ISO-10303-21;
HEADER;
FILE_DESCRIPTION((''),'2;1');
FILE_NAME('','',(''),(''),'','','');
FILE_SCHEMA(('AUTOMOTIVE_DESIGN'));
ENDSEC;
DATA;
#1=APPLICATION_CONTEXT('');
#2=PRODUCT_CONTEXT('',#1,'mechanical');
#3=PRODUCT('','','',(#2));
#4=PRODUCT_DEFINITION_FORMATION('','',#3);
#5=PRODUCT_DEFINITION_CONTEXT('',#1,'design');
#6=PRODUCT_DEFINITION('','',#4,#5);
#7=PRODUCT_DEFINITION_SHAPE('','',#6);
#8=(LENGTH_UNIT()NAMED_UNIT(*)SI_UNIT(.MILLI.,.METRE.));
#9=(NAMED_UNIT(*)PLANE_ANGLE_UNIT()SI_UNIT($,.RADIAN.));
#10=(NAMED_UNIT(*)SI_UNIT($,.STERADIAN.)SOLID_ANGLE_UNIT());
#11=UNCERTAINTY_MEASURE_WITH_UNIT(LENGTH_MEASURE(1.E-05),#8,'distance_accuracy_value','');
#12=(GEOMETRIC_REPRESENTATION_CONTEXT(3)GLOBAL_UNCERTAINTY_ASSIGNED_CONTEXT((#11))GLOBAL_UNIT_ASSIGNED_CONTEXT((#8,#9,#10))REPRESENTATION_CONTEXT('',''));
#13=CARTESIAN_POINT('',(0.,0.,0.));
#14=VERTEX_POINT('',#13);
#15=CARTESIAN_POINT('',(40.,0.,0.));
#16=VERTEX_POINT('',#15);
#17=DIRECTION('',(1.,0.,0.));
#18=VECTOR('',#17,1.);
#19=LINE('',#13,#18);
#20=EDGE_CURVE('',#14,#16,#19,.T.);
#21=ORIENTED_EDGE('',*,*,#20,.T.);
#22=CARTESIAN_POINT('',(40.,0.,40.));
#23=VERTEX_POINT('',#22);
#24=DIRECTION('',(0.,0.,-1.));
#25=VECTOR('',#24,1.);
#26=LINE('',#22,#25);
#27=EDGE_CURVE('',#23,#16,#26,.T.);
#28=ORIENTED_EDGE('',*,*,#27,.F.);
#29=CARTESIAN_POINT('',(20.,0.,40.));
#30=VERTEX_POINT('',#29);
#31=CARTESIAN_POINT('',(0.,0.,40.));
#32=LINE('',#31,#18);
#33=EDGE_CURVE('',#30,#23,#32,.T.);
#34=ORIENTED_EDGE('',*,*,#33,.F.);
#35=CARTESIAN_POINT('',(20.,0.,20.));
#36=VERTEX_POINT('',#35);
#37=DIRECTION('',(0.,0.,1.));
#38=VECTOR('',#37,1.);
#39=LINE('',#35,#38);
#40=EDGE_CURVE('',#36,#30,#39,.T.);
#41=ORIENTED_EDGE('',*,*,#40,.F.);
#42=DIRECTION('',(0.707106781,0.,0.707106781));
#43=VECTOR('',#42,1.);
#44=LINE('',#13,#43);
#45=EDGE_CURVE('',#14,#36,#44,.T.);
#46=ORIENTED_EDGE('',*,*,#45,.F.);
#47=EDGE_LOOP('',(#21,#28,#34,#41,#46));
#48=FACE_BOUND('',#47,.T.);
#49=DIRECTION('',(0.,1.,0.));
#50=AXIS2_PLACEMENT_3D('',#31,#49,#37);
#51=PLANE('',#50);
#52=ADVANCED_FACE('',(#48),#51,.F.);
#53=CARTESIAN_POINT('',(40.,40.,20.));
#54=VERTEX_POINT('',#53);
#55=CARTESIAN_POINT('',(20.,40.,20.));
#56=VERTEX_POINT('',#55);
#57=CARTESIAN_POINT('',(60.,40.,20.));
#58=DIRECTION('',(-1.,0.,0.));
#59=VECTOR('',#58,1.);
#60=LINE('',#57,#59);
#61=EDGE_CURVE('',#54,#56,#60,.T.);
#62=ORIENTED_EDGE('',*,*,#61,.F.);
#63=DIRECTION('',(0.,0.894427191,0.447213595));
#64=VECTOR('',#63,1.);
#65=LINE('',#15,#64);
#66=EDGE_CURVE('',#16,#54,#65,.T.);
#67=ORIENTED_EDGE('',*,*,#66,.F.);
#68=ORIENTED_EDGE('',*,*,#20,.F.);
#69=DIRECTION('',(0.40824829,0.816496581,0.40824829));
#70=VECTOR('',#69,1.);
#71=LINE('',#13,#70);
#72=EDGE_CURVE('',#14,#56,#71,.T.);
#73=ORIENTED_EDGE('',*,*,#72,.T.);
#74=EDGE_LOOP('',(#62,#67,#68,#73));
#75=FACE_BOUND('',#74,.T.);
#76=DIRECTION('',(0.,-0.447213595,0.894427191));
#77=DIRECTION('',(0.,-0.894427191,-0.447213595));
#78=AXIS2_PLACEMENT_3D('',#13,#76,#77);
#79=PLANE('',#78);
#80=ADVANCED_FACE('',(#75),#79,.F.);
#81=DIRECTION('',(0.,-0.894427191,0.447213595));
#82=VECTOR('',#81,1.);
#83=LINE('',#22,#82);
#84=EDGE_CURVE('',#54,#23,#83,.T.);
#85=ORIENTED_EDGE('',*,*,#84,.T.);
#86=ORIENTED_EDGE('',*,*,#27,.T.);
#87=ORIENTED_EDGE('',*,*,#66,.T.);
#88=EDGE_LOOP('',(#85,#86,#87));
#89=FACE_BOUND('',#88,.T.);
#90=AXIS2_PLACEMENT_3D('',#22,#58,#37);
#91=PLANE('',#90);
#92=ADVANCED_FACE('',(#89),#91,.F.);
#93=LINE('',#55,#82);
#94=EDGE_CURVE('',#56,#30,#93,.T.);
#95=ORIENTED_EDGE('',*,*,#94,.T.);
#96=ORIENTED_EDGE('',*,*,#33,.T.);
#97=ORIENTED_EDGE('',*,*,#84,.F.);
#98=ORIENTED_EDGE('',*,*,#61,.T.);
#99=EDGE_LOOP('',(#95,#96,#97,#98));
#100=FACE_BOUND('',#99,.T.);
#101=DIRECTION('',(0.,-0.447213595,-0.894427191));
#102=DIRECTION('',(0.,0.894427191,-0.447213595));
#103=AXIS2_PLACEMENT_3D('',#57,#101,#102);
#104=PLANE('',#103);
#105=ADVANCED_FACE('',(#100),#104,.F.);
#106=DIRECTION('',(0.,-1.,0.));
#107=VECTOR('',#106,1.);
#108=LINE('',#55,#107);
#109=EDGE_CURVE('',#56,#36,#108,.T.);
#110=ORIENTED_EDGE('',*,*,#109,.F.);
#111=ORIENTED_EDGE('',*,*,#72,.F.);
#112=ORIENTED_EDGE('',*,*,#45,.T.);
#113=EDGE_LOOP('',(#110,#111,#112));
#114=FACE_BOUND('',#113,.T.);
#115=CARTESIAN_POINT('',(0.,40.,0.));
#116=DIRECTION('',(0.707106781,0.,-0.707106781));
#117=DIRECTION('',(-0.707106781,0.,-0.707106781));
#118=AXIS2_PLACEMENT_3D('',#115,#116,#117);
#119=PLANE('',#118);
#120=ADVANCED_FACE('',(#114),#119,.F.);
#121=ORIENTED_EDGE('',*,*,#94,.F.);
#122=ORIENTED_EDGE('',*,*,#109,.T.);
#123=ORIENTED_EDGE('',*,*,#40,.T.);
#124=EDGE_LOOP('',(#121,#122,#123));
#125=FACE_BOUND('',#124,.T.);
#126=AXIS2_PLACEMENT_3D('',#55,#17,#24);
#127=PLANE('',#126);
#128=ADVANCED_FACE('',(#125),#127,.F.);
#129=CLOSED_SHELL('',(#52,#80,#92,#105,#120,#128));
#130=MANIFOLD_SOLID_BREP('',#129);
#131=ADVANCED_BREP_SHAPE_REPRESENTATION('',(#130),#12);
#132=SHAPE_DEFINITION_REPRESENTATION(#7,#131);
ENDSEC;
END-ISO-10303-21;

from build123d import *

# Parameters (mm, degrees)
SKETCH1_W           = 40
SKETCH1_H           = 40
BOSS_EXTRUDE1_DEPTH = 40
CUT_EXTRUDE1_DEPTH  = 40
CUT_EXTRUDE2_DEPTH  = 40
CUT_EXTRUDE3_DEPTH  = 40
CUT_EXTRUDE4_DEPTH  = 40


with BuildPart() as part:
    # Sketch1 → Boss-Extrude1 (new body)
    with BuildSketch(Plane.XY):
        with Locations((20, 20)):
            Rectangle(SKETCH1_W, SKETCH1_H)
    extrude(amount=BOSS_EXTRUDE1_DEPTH)

    # Sketch2 → Cut-Extrude1 (cut)
    with BuildSketch(Plane.XY.offset(40)):
        Polygon((0, 0), (20, 40), (0, 40), align=None)
    extrude(amount=-CUT_EXTRUDE1_DEPTH, mode=Mode.SUBTRACT)

    # Sketch3 → Cut-Extrude2 (cut)
    with BuildSketch(Plane.XZ):
        Polygon((0, 0), (20, 20), (20, 40), (0, 40), align=None)
    extrude(amount=-CUT_EXTRUDE2_DEPTH, mode=Mode.SUBTRACT)

    # Sketch4 → Cut-Extrude3 (cut)
    with BuildSketch(Plane.ZY.offset(-20)):
        Polygon((20, 40), (40, 0), (40, 40), align=None)
    extrude(amount=-CUT_EXTRUDE3_DEPTH, mode=Mode.SUBTRACT)

    # Sketch5 → Cut-Extrude4 (cut)
    with BuildSketch(Plane(origin=(0, 0, 0), x_dir=(1, 0, 0), z_dir=(0, -0.447213595, 0.894427191))):
        Polygon((0, 0), (40, 0), (40, 44.72135955), (20, 44.72135955), align=None)
    extrude(amount=-CUT_EXTRUDE4_DEPTH, mode=Mode.SUBTRACT)


solid = part.part
